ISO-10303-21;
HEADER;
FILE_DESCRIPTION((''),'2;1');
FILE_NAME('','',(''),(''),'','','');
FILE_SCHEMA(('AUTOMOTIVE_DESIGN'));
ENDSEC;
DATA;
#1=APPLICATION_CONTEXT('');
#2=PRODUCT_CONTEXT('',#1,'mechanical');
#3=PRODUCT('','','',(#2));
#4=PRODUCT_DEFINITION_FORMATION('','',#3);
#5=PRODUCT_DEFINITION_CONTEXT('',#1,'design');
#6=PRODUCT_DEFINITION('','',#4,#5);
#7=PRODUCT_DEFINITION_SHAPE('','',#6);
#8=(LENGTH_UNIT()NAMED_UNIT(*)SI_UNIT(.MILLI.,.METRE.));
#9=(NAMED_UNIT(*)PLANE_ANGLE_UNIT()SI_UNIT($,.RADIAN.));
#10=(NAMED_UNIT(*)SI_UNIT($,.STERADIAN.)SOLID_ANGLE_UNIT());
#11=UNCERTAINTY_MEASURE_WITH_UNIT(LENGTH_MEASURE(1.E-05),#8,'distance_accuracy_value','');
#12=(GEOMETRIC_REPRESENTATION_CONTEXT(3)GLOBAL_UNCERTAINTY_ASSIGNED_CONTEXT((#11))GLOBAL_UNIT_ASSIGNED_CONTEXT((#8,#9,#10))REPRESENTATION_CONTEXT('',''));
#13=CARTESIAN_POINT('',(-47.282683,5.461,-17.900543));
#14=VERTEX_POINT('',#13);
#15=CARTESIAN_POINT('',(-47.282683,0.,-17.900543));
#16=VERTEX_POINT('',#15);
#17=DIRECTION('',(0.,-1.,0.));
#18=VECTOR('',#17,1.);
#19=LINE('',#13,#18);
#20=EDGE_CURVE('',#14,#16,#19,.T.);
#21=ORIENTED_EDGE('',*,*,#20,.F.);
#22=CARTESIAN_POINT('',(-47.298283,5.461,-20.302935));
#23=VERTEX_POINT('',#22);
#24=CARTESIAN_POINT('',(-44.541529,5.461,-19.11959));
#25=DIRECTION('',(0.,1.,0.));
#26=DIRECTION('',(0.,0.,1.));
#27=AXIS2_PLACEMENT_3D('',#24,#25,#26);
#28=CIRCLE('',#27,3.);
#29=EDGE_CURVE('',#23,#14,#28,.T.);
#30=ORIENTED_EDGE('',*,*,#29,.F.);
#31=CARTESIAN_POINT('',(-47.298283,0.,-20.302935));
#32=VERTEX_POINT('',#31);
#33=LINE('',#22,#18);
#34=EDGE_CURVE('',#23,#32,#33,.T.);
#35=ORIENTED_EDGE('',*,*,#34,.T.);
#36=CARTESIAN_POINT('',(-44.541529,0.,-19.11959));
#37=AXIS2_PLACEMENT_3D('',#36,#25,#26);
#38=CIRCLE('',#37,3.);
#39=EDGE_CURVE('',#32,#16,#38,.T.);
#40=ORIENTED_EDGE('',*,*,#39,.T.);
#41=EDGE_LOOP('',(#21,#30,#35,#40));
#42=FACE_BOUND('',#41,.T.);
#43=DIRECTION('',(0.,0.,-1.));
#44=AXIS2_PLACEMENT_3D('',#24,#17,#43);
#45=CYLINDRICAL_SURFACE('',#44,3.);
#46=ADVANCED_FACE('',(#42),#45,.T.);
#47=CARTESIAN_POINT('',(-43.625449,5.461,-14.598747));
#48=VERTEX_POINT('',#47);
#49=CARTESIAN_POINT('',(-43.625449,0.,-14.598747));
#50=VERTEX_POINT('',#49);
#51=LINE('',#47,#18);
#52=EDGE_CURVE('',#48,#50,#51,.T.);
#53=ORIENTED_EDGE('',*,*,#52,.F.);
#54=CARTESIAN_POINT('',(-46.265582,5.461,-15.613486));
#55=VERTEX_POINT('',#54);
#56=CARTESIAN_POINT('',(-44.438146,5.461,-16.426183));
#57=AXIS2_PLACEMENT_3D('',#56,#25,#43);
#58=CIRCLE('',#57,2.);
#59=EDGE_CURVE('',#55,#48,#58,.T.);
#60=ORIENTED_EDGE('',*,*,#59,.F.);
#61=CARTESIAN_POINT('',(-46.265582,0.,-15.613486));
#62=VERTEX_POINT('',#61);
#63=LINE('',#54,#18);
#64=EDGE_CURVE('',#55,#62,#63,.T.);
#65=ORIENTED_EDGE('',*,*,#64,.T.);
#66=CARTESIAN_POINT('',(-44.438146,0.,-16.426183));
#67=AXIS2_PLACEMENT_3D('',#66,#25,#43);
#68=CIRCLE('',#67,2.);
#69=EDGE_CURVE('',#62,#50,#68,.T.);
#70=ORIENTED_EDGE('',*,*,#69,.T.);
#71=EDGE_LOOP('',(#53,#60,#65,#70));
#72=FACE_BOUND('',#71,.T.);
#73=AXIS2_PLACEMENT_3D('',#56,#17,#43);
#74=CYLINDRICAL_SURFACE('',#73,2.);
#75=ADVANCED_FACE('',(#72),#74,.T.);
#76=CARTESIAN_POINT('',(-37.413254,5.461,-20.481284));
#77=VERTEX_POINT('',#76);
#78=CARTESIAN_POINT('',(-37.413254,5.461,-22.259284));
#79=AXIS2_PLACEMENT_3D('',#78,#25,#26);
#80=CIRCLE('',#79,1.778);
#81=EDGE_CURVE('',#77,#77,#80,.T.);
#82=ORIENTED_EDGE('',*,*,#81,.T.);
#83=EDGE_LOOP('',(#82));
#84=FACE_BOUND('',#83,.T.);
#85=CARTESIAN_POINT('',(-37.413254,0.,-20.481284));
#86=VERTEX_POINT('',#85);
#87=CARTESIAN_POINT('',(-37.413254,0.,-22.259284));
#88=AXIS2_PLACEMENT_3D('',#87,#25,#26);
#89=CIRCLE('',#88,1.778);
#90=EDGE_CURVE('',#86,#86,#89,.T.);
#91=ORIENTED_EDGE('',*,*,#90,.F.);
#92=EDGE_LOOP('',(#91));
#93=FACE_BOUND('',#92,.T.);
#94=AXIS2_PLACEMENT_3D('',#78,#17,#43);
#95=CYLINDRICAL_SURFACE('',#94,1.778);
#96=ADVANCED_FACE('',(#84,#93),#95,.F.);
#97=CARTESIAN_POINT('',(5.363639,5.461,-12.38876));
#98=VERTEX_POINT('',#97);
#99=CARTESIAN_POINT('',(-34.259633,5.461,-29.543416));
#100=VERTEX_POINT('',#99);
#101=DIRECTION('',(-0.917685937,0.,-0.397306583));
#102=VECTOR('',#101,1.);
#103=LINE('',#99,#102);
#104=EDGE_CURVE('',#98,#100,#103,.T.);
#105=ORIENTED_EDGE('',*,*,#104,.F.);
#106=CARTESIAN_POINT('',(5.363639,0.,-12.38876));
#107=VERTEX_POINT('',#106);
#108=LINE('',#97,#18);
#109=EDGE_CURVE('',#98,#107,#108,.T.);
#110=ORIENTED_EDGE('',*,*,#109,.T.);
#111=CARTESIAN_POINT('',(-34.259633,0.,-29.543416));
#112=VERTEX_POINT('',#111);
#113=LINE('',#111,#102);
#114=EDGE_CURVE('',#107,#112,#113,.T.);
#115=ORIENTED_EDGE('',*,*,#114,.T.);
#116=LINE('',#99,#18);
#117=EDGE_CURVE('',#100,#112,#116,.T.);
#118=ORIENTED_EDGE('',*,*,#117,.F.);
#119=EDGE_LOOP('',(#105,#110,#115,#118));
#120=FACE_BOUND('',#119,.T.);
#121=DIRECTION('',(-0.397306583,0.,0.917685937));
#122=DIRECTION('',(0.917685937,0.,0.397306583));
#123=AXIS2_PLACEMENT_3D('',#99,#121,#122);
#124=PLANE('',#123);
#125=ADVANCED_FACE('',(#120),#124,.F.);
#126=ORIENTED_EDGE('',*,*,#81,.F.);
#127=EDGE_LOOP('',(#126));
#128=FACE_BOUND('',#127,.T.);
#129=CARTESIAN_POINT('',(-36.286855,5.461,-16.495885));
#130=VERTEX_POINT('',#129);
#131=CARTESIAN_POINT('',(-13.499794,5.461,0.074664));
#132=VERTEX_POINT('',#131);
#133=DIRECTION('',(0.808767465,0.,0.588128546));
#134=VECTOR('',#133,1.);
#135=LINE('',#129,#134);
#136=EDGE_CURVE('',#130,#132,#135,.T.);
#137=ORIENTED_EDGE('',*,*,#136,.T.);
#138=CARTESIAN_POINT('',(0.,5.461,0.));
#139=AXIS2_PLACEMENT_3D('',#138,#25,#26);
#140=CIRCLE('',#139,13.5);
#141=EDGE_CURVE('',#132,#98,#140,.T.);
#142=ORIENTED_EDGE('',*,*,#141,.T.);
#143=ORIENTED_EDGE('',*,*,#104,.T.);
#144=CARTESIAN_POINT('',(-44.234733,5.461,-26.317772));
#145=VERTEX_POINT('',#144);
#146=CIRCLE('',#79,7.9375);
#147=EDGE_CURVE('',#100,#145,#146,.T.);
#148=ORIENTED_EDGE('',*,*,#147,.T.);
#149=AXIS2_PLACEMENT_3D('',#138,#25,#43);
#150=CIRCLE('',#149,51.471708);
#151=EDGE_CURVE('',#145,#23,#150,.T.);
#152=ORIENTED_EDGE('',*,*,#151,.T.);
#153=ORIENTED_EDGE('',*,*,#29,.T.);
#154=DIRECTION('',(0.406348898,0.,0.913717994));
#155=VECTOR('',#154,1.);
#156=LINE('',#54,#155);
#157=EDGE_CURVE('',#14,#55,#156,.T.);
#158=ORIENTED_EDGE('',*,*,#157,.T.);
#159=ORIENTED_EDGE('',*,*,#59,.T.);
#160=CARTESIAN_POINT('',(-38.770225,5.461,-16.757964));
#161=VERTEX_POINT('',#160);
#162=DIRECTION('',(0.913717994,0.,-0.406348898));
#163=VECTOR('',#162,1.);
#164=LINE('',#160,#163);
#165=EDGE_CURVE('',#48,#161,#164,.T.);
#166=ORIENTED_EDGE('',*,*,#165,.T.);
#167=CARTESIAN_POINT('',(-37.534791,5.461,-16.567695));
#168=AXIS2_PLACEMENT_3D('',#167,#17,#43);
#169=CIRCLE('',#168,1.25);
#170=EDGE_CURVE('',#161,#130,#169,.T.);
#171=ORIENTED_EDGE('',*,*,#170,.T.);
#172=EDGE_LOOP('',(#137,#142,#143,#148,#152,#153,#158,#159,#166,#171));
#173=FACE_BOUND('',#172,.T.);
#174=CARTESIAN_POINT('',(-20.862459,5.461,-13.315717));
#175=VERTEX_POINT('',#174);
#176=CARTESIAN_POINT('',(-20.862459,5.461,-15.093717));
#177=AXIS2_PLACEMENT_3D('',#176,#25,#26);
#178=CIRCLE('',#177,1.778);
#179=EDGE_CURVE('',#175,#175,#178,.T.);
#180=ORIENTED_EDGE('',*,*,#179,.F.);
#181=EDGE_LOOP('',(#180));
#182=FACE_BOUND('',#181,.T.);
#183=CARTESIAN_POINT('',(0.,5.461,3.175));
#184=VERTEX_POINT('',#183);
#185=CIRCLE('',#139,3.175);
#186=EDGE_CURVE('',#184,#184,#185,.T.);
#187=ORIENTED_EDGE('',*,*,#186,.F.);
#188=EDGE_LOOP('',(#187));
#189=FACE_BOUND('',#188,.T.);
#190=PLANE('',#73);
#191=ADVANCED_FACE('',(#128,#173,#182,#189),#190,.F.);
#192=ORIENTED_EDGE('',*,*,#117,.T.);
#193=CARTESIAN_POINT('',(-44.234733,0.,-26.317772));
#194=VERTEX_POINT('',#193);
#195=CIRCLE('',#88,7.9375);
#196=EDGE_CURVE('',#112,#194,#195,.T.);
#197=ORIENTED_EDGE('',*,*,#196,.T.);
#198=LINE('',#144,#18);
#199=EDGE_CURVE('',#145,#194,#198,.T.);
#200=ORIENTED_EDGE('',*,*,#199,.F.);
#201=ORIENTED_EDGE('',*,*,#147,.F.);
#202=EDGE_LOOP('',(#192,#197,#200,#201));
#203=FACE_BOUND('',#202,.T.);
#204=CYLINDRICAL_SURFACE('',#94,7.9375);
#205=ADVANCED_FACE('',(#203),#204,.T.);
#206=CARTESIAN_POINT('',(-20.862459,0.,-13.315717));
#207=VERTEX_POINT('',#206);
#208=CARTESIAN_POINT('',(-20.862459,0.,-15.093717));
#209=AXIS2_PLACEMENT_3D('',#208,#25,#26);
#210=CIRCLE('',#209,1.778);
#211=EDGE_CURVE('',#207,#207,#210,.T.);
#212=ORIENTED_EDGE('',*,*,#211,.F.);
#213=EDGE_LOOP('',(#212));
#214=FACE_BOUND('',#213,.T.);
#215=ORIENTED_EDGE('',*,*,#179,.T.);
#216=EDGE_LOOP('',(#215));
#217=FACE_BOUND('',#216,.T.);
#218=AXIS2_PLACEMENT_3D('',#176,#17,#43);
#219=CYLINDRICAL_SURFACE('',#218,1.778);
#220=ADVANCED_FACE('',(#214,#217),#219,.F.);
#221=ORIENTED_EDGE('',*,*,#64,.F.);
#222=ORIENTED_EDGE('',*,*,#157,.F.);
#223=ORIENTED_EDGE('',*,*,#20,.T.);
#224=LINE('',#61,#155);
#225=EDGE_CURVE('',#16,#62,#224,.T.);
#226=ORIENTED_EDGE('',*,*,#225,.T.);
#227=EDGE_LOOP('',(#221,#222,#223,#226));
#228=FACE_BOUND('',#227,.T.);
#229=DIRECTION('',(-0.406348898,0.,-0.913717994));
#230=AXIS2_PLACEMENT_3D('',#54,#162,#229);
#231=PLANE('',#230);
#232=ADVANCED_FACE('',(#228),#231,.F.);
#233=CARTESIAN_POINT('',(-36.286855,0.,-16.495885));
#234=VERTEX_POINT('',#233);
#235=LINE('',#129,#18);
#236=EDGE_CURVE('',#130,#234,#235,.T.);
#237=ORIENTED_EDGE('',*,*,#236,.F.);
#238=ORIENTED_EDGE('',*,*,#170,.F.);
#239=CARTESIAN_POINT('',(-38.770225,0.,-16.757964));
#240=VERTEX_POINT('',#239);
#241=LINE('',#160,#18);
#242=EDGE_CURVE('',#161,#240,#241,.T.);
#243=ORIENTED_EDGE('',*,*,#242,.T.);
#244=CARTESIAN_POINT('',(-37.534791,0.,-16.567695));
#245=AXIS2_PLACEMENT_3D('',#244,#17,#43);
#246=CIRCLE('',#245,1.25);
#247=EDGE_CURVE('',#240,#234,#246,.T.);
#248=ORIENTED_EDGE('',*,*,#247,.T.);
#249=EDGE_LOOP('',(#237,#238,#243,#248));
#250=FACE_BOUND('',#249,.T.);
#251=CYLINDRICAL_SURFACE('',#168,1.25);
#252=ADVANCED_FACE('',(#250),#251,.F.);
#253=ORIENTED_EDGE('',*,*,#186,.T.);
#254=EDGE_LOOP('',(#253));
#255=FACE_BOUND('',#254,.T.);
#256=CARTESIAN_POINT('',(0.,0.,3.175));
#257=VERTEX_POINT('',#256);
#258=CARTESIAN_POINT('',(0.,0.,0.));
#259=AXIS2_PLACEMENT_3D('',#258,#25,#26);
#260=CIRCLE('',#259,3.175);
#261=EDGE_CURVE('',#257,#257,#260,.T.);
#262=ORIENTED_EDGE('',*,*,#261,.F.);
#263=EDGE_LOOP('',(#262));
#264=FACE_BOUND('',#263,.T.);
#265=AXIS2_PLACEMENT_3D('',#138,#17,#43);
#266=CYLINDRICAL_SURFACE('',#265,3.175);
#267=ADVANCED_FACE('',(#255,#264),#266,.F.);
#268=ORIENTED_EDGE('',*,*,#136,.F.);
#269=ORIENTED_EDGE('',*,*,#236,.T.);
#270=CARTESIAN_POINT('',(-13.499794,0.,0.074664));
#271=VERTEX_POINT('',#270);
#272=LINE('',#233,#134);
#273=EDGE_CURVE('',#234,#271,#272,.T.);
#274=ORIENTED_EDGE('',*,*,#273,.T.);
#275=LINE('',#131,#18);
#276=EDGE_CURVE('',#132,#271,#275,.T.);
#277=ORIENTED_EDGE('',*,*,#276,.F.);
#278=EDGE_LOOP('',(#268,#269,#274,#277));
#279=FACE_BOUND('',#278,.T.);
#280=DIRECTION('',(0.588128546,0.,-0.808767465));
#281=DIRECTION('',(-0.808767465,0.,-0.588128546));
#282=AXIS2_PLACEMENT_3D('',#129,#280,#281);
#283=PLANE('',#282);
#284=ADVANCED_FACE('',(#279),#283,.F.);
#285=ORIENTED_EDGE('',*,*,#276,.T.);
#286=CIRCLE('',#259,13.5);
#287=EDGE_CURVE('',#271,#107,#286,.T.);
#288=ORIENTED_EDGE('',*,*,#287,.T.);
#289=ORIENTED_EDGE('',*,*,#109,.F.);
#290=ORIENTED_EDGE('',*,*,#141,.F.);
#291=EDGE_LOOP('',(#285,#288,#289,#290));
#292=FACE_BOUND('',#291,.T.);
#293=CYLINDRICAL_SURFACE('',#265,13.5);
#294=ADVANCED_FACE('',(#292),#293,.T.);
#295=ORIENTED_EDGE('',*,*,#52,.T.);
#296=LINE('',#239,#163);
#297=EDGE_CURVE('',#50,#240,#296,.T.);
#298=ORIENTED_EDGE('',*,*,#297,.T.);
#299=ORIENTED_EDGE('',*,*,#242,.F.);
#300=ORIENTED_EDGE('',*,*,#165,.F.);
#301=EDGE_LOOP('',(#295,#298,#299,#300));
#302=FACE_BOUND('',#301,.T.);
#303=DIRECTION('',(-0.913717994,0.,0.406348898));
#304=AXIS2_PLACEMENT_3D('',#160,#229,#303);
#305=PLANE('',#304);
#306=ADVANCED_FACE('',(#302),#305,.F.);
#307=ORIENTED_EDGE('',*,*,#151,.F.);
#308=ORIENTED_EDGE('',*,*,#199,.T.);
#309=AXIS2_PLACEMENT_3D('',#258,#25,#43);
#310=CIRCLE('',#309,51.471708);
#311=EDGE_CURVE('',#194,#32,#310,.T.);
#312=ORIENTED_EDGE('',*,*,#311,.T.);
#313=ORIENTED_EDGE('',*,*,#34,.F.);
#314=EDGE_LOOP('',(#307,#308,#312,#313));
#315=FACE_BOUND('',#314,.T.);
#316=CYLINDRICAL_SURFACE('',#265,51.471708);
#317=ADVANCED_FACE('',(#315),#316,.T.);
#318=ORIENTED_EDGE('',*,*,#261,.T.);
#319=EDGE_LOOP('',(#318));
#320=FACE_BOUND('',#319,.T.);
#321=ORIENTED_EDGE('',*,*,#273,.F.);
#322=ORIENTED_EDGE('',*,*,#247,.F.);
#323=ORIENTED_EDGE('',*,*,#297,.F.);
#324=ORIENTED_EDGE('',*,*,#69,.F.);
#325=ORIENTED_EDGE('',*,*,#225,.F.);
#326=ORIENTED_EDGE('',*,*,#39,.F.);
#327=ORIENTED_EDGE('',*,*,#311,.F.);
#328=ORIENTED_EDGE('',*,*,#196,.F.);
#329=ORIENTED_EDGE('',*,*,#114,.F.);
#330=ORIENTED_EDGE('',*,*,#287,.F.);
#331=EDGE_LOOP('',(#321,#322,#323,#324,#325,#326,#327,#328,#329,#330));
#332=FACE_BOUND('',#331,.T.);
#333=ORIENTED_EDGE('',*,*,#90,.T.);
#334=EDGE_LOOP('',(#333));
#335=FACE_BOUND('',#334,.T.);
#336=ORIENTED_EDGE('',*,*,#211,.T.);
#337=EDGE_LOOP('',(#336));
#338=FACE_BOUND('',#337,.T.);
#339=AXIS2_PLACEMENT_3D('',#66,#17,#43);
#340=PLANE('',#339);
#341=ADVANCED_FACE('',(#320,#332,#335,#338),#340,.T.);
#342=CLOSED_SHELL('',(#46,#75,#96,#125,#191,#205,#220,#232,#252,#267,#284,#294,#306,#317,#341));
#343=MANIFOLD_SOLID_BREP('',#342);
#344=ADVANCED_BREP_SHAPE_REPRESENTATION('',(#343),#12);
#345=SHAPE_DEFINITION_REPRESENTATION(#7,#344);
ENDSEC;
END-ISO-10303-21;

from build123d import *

# Parameters (mm, degrees)
SKETCH1_R           = 1.778
SKETCH1_R_2         = 3.175
BOSS_EXTRUDE1_DEPTH = 5.461


with BuildPart() as part:
    # Sketch1 → Boss-Extrude1 (new body)
    with BuildSketch(Plane(origin=(0, 0, 0), x_dir=(1, 0, 0), z_dir=(0, 1, 0))):
        with BuildLine():
            Line((-38.770225031, 16.757963615), (-43.625448569, 14.598747375))
            ThreePointArc((-43.625448569, 14.598747375), (-45.155674622, 14.559326862), (-46.265582353, 15.613485569))
            Line((-46.265582353, 15.613485569), (-47.282683039, 17.900542834))
            ThreePointArc((-47.282683039, 17.900542834), (-47.541465806, 19.100109045), (-47.298283286, 20.302934833))
            ThreePointArc((-47.298283286, 20.302934833), (-45.865213893, 23.360627542), (-44.234733225, 26.317772344))
            ThreePointArc((-44.234733225, 26.317772344), (-39.855484626, 29.811728531), (-34.259632886, 29.543416329))
            Line((-34.259632886, 29.543416329), (5.363638877, 12.388760148))
            ThreePointArc((5.363638877, 12.388760148), (7.44200849, -11.263503435), (-13.499793526, -0.074664302))
            Line((-13.499793526, -0.074664302), (-36.286855081, 16.495885282))
            ThreePointArc((-36.286855081, 16.495885282), (-37.403602541, 17.810792136), (-38.770225031, 16.757963615))
        make_face()
        with Locations((-20.862458922, 15.093717491)):
            Circle(SKETCH1_R, mode=Mode.SUBTRACT)
        Circle(SKETCH1_R_2, mode=Mode.SUBTRACT)
        with Locations((-37.413253893, 22.259284205)):
            Circle(SKETCH1_R, mode=Mode.SUBTRACT)
    extrude(amount=BOSS_EXTRUDE1_DEPTH)


solid = part.part
